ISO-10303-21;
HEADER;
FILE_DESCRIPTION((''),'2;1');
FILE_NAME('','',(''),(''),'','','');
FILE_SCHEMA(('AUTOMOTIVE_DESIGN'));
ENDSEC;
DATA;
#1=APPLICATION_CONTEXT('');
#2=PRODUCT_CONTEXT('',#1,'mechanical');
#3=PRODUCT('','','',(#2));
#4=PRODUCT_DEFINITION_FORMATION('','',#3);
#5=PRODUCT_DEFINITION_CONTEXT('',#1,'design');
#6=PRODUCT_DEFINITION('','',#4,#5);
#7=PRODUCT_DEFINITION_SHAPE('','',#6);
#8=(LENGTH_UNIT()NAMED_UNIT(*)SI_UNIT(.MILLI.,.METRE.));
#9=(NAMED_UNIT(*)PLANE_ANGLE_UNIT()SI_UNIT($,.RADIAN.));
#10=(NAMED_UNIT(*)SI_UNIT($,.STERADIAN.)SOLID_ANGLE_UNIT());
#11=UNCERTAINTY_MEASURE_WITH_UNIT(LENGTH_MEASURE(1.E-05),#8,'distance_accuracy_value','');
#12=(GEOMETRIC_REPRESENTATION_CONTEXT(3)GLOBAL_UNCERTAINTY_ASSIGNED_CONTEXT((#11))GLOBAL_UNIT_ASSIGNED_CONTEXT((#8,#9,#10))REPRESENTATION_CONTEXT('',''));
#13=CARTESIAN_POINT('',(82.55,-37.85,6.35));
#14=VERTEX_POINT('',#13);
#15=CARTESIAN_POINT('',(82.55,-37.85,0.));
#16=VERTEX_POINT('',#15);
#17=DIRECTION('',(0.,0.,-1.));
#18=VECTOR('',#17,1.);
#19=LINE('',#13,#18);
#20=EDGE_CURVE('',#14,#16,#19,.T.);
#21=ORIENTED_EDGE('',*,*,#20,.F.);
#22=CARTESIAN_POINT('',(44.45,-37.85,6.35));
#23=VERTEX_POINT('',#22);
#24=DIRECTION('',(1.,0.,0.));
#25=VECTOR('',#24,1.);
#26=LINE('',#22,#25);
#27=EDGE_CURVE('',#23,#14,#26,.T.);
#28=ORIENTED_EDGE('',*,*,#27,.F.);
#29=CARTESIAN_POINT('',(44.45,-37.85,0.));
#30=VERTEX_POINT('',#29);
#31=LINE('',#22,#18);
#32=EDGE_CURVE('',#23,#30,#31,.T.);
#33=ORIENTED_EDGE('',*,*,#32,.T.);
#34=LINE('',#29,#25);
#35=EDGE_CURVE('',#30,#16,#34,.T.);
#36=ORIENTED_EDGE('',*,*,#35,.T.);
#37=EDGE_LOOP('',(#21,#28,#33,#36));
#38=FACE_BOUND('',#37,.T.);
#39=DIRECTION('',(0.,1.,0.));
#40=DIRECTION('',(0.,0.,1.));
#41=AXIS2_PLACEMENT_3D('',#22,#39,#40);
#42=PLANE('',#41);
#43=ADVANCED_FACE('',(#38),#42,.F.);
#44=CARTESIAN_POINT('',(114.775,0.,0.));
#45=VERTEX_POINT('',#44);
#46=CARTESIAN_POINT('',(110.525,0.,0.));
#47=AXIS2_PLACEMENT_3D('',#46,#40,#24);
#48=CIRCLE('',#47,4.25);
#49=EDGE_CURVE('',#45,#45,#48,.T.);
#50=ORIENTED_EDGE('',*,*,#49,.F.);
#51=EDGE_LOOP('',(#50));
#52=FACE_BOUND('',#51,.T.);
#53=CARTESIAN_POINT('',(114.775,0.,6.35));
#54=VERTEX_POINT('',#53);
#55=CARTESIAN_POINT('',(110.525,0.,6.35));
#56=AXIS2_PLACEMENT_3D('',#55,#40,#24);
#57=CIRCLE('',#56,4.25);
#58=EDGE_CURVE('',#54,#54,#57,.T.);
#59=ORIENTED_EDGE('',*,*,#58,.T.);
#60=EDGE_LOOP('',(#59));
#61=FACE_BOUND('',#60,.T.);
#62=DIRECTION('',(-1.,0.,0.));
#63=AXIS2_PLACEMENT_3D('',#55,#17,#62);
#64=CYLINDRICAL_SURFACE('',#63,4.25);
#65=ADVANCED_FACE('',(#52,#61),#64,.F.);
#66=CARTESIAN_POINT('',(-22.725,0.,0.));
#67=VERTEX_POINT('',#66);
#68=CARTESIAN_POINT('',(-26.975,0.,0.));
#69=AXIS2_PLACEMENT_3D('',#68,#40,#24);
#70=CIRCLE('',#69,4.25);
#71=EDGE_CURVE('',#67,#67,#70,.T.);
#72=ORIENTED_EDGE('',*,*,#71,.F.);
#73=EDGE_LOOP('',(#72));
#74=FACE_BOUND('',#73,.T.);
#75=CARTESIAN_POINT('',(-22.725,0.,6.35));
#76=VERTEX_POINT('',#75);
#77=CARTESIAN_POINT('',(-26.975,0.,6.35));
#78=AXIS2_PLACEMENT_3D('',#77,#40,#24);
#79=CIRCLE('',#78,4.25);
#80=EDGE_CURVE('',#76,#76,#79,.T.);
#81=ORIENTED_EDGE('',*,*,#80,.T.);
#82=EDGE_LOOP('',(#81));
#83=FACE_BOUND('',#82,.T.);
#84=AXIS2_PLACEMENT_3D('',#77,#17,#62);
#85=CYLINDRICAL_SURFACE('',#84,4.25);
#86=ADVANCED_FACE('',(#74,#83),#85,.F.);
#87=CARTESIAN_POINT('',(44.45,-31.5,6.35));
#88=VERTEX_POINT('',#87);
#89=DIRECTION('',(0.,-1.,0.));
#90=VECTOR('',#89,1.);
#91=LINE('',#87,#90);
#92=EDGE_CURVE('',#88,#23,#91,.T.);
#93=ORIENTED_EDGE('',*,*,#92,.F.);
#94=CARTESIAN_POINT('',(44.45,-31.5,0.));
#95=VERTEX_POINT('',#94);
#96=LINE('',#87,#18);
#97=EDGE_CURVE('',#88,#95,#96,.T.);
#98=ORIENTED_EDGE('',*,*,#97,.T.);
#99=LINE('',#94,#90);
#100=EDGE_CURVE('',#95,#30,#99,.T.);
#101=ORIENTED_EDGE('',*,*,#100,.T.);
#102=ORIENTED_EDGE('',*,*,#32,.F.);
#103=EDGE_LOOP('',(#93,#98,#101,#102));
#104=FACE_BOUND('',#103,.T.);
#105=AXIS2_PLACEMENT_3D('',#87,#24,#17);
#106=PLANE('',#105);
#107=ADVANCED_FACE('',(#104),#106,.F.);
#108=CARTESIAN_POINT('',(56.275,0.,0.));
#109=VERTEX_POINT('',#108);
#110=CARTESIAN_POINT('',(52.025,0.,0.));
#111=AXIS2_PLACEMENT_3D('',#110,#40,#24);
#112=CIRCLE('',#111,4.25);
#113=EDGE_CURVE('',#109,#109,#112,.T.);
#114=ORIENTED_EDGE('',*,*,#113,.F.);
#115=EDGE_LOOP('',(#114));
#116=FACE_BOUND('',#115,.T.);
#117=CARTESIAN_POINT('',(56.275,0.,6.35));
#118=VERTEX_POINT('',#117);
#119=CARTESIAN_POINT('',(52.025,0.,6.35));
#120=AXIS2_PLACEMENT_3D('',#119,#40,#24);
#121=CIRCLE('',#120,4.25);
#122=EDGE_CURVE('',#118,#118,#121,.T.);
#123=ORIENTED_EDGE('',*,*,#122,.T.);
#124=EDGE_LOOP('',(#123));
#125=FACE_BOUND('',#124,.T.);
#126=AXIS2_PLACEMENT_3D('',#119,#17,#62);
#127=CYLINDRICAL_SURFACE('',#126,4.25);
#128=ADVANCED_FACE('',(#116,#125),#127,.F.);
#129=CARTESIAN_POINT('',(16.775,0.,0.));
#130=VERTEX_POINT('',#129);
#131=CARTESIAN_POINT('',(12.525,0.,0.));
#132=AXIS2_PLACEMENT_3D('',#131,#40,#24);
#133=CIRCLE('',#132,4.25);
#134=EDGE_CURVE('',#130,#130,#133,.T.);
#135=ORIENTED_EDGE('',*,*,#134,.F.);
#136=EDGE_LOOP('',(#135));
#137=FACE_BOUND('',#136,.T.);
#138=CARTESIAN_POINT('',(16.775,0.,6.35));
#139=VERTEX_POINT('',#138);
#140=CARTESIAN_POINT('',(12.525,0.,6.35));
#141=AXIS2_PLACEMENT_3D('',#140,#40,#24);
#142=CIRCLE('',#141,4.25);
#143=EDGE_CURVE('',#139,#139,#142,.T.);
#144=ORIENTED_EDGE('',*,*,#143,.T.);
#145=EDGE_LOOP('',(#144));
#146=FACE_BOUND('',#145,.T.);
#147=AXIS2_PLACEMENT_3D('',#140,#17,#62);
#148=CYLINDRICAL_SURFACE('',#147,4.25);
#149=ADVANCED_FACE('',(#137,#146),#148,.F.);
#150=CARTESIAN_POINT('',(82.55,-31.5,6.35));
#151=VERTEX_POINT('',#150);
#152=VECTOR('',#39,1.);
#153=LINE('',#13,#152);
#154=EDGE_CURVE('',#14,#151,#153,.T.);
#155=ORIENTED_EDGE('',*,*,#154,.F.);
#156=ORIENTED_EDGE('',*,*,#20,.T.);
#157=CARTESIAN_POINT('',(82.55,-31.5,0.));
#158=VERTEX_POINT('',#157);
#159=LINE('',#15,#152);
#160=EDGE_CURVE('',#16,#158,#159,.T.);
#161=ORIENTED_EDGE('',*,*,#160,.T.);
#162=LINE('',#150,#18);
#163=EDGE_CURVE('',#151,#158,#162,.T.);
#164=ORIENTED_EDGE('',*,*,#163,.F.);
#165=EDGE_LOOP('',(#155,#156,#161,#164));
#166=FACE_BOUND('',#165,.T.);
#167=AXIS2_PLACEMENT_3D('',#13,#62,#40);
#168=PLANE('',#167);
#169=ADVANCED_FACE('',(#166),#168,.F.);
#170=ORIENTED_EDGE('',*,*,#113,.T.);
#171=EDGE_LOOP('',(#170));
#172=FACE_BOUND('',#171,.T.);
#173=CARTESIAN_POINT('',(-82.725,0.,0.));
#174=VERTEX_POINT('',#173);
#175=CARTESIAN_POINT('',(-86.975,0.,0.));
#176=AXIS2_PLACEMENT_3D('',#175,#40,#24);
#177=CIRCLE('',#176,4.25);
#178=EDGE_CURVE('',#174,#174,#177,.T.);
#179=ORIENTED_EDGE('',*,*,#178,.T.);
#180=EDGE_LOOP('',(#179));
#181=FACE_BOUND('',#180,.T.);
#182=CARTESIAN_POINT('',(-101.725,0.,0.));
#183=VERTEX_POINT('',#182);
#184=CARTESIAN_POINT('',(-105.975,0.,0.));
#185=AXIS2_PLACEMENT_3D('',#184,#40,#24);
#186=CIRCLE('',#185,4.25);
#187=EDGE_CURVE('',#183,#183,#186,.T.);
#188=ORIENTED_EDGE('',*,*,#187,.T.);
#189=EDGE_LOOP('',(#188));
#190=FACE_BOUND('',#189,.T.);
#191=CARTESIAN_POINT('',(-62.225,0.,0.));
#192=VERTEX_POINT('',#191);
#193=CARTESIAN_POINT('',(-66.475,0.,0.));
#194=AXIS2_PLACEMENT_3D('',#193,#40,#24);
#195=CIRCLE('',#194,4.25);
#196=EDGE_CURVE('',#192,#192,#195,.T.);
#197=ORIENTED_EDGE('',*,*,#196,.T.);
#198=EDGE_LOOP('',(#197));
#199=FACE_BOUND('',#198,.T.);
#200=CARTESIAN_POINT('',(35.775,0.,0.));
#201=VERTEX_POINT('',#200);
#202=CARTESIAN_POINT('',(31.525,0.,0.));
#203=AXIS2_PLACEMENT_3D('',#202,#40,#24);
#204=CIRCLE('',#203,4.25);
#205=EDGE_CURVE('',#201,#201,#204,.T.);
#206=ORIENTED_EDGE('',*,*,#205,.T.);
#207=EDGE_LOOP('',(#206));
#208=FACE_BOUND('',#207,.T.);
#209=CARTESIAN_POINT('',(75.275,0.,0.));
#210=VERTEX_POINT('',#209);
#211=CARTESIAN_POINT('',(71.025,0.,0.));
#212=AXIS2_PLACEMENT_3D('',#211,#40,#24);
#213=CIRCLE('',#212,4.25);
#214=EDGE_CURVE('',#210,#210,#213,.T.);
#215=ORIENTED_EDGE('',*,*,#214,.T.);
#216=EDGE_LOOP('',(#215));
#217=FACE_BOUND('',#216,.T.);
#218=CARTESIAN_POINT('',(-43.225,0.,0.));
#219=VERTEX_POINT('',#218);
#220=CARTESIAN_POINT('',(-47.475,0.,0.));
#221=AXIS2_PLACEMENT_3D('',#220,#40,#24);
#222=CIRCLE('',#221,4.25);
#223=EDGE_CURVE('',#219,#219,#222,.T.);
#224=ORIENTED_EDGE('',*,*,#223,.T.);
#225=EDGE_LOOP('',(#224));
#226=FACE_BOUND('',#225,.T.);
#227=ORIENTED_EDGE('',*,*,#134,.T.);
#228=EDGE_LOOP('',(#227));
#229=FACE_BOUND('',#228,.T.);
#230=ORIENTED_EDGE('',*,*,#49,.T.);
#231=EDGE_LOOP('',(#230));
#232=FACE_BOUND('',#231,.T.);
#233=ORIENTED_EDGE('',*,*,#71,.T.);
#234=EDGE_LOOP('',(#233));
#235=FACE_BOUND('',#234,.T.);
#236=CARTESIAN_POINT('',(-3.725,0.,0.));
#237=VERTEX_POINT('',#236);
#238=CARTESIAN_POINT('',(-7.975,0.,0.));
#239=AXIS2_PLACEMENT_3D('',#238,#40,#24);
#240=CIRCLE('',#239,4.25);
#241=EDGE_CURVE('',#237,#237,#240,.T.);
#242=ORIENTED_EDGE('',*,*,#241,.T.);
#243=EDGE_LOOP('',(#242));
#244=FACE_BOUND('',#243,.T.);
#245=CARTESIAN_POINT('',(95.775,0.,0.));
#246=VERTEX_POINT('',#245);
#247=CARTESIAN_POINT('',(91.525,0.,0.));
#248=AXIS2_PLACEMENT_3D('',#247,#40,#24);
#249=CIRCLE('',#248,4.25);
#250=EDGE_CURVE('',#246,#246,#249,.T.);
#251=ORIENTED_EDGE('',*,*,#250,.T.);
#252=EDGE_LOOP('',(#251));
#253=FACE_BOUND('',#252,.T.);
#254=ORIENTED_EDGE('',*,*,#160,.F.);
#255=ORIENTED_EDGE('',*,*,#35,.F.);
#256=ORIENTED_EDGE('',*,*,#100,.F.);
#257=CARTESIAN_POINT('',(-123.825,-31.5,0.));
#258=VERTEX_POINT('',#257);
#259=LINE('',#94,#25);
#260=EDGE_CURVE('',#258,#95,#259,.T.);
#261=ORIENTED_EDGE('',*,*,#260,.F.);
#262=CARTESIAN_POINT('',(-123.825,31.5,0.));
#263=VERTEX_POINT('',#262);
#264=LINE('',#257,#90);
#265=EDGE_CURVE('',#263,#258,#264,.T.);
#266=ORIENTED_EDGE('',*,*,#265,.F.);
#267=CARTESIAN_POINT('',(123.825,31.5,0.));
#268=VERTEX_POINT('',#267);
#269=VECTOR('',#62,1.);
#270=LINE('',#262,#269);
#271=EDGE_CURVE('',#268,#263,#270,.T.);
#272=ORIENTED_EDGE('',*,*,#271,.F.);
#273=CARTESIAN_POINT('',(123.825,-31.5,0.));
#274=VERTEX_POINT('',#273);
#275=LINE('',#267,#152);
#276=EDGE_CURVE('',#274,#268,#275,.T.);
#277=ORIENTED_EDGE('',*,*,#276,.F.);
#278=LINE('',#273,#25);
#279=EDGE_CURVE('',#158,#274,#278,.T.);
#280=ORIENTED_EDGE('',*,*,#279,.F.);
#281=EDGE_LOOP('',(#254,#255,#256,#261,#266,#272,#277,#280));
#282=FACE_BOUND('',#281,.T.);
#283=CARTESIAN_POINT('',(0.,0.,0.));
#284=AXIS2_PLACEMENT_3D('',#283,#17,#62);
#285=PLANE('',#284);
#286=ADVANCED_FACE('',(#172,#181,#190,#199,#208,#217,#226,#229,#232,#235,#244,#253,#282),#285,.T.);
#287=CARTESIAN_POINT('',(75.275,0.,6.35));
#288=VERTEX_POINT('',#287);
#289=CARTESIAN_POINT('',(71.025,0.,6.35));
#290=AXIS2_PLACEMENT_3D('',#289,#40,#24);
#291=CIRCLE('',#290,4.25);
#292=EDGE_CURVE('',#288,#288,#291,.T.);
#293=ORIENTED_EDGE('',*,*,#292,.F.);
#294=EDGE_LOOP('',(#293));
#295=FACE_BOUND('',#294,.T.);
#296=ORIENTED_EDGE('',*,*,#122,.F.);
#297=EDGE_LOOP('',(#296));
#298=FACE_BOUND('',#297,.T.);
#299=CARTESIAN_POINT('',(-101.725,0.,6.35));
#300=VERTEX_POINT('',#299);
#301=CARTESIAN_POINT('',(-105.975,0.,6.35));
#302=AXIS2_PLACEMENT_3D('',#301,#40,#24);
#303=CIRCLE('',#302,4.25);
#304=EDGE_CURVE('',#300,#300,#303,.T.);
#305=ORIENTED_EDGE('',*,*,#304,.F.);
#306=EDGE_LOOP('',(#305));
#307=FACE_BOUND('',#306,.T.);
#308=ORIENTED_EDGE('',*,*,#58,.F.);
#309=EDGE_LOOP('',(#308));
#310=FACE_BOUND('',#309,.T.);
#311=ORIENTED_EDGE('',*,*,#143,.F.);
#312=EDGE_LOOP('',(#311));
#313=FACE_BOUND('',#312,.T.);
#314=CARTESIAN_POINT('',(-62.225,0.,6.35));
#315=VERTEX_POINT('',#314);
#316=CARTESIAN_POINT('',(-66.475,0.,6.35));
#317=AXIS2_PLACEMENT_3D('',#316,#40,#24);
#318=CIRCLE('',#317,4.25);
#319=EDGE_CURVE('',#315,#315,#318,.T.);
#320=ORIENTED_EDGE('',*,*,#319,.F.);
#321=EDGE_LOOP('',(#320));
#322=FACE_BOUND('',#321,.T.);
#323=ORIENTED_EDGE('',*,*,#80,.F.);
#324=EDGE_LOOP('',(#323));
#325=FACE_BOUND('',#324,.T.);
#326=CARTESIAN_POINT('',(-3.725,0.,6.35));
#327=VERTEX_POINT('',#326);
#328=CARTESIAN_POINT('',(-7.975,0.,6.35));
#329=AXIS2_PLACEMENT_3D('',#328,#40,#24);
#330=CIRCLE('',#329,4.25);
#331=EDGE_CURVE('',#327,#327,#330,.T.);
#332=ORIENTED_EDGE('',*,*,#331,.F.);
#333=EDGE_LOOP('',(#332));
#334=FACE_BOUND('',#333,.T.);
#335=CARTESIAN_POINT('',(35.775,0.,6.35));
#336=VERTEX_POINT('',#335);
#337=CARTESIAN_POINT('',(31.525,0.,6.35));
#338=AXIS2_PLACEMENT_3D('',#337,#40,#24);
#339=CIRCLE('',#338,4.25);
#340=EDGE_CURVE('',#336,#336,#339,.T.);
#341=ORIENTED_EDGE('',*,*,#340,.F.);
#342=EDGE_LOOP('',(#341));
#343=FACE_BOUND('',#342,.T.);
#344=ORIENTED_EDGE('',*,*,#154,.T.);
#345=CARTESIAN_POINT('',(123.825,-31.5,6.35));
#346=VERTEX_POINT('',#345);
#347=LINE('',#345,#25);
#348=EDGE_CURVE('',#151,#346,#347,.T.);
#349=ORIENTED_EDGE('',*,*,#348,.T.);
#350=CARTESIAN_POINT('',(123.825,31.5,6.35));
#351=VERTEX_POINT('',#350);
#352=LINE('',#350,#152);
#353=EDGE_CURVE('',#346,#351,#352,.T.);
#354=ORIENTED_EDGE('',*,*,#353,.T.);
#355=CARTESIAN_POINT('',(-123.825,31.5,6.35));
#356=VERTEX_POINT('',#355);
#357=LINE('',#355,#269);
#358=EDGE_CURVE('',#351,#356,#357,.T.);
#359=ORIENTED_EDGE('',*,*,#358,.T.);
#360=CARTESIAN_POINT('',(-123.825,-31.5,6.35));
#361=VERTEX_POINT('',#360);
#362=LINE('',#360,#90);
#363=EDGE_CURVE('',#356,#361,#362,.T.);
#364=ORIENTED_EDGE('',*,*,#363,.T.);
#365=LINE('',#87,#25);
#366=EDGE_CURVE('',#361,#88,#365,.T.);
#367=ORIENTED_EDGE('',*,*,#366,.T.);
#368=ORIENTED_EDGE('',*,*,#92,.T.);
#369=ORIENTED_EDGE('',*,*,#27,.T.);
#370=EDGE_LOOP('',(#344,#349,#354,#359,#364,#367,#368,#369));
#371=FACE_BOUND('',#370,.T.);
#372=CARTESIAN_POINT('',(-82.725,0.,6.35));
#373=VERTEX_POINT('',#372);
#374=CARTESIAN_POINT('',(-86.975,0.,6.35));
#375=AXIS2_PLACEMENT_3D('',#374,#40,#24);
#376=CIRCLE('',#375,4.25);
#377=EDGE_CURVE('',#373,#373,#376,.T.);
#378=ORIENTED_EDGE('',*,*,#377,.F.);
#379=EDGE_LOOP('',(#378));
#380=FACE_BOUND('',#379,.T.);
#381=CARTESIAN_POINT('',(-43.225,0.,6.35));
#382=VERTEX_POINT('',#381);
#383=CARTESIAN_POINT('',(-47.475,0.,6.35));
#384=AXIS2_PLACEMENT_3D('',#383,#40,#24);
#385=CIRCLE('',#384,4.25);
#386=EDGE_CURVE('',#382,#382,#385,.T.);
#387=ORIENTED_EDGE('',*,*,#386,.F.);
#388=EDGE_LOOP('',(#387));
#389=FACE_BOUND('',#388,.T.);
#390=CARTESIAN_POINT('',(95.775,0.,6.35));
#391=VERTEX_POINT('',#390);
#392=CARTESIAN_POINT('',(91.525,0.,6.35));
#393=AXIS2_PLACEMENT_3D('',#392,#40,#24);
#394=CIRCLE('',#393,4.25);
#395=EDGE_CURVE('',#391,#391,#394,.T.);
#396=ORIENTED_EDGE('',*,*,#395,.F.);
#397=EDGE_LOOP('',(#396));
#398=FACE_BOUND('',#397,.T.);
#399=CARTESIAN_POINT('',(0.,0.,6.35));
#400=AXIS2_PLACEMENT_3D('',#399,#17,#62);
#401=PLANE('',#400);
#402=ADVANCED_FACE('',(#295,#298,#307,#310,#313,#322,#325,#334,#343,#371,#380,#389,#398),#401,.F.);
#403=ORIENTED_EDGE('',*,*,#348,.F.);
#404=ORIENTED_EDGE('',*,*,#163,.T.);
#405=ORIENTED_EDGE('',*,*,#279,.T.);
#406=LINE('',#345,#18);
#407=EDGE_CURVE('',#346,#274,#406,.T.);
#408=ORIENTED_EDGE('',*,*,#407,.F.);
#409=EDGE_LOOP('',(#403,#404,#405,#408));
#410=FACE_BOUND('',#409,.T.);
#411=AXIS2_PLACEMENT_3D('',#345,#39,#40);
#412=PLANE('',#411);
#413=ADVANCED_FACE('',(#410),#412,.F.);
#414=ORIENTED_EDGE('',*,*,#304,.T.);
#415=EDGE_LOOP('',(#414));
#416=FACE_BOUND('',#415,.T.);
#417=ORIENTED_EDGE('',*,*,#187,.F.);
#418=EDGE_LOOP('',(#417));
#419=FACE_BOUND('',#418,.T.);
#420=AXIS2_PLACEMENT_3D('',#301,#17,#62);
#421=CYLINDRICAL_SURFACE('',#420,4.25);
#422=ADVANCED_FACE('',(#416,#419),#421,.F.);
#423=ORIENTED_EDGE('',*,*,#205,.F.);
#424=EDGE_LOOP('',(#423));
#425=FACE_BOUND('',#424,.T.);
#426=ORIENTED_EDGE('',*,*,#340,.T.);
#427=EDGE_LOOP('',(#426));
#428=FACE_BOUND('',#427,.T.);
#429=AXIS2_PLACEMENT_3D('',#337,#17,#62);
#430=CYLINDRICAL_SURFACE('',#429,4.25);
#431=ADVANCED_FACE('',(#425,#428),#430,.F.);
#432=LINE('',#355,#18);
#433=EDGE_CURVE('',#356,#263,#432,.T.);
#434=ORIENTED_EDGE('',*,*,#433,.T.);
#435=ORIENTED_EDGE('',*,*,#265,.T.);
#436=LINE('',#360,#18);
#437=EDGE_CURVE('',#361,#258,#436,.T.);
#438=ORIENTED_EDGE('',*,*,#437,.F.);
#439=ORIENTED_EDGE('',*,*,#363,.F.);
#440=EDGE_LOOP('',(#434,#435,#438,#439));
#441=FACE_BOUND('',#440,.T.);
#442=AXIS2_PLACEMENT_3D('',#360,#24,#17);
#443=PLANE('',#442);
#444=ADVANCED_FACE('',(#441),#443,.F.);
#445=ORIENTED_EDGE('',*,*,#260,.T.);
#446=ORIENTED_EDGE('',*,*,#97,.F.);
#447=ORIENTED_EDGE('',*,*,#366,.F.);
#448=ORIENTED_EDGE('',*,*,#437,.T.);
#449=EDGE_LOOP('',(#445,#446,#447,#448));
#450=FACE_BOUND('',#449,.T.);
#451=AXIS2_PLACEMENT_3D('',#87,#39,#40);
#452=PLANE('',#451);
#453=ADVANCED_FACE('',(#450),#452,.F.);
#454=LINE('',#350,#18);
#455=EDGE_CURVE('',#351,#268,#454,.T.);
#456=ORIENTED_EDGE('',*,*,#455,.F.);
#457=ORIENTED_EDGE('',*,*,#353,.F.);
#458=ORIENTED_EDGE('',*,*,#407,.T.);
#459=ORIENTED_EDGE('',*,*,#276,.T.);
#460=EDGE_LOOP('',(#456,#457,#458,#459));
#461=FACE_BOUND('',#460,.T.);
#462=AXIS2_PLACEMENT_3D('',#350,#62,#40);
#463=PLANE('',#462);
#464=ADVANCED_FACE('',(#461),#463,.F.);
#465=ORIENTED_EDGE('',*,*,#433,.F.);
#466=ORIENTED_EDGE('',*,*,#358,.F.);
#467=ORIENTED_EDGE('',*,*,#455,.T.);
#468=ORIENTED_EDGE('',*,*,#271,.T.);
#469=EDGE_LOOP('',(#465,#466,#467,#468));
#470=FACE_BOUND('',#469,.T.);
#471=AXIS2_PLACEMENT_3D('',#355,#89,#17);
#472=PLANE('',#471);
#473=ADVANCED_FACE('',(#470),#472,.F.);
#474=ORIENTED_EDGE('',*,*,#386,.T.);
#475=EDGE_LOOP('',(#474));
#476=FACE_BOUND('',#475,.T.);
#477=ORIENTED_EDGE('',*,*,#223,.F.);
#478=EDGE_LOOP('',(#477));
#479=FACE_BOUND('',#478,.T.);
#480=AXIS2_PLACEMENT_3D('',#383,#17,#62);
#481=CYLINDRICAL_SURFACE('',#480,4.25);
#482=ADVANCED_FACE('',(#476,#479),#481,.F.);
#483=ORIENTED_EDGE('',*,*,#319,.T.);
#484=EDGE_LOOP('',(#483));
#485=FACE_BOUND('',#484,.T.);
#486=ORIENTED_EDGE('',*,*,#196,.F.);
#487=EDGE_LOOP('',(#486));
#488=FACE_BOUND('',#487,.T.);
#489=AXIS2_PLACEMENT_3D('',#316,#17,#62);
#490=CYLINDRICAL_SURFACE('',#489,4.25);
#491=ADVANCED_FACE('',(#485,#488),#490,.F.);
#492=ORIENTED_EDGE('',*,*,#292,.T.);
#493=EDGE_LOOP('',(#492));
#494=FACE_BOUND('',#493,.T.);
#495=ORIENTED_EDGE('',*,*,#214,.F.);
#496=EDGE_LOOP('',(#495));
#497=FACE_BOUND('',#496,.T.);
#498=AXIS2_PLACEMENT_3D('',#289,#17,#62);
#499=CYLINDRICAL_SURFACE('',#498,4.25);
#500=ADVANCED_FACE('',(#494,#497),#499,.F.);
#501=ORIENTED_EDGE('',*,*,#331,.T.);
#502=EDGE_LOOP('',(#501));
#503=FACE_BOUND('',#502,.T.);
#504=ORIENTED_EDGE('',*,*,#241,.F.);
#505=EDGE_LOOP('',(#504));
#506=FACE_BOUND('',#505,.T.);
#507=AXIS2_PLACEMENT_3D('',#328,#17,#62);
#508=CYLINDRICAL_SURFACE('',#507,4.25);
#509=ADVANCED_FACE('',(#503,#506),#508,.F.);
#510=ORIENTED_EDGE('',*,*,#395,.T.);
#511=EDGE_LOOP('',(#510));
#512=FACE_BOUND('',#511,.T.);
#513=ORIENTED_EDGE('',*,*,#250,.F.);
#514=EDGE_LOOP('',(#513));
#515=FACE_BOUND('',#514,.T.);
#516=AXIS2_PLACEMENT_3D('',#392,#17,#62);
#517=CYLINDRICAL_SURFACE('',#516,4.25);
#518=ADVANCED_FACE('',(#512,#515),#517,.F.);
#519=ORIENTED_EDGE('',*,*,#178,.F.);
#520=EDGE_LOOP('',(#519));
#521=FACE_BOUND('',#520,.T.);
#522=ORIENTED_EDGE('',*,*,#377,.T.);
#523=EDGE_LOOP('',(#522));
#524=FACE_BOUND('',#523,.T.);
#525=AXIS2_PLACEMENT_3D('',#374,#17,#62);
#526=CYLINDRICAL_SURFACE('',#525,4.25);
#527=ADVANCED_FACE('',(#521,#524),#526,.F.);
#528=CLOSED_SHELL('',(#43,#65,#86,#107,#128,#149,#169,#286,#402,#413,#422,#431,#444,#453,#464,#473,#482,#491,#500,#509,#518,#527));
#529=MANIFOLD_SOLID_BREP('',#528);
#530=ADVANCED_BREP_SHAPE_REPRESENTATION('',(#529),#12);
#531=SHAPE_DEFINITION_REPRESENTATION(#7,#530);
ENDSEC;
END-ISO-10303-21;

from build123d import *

# Parameters (mm, degrees)
SKETCH3_R           = 4.25
BOSS_EXTRUDE1_DEPTH = 6.35


with BuildPart() as part:
    # Sketch3 → Boss-Extrude1 (new body)
    with BuildSketch(Plane.XY):
        Polygon((123.825, 31.5), (123.825, -31.5), (82.55, -31.5), (82.55, -37.85), (44.45, -37.85), (44.45, -31.5), (-123.825, -31.5), (-123.825, 31.5), align=None)
        with Locations((-105.975, 0)):
            Circle(SKETCH3_R, mode=Mode.SUBTRACT)
        with Locations((-86.975, 0)):
            Circle(SKETCH3_R, mode=Mode.SUBTRACT)
        with Locations((-66.475, 0)):
            Circle(SKETCH3_R, mode=Mode.SUBTRACT)
        with Locations((-47.475, 0)):
            Circle(SKETCH3_R, mode=Mode.SUBTRACT)
        with Locations((-26.975, 0)):
            Circle(SKETCH3_R, mode=Mode.SUBTRACT)
        with Locations((-7.975, 0)):
            Circle(SKETCH3_R, mode=Mode.SUBTRACT)
        with Locations((12.525, 0)):
            Circle(SKETCH3_R, mode=Mode.SUBTRACT)
        with Locations((31.525, 0)):
            Circle(SKETCH3_R, mode=Mode.SUBTRACT)
        with Locations((52.025, 0)):
            Circle(SKETCH3_R, mode=Mode.SUBTRACT)
        with Locations((71.025, 0)):
            Circle(SKETCH3_R, mode=Mode.SUBTRACT)
        with Locations((91.525, 0)):
            Circle(SKETCH3_R, mode=Mode.SUBTRACT)
        with Locations((110.525, 0)):
            Circle(SKETCH3_R, mode=Mode.SUBTRACT)
    extrude(amount=BOSS_EXTRUDE1_DEPTH)


solid = part.part
